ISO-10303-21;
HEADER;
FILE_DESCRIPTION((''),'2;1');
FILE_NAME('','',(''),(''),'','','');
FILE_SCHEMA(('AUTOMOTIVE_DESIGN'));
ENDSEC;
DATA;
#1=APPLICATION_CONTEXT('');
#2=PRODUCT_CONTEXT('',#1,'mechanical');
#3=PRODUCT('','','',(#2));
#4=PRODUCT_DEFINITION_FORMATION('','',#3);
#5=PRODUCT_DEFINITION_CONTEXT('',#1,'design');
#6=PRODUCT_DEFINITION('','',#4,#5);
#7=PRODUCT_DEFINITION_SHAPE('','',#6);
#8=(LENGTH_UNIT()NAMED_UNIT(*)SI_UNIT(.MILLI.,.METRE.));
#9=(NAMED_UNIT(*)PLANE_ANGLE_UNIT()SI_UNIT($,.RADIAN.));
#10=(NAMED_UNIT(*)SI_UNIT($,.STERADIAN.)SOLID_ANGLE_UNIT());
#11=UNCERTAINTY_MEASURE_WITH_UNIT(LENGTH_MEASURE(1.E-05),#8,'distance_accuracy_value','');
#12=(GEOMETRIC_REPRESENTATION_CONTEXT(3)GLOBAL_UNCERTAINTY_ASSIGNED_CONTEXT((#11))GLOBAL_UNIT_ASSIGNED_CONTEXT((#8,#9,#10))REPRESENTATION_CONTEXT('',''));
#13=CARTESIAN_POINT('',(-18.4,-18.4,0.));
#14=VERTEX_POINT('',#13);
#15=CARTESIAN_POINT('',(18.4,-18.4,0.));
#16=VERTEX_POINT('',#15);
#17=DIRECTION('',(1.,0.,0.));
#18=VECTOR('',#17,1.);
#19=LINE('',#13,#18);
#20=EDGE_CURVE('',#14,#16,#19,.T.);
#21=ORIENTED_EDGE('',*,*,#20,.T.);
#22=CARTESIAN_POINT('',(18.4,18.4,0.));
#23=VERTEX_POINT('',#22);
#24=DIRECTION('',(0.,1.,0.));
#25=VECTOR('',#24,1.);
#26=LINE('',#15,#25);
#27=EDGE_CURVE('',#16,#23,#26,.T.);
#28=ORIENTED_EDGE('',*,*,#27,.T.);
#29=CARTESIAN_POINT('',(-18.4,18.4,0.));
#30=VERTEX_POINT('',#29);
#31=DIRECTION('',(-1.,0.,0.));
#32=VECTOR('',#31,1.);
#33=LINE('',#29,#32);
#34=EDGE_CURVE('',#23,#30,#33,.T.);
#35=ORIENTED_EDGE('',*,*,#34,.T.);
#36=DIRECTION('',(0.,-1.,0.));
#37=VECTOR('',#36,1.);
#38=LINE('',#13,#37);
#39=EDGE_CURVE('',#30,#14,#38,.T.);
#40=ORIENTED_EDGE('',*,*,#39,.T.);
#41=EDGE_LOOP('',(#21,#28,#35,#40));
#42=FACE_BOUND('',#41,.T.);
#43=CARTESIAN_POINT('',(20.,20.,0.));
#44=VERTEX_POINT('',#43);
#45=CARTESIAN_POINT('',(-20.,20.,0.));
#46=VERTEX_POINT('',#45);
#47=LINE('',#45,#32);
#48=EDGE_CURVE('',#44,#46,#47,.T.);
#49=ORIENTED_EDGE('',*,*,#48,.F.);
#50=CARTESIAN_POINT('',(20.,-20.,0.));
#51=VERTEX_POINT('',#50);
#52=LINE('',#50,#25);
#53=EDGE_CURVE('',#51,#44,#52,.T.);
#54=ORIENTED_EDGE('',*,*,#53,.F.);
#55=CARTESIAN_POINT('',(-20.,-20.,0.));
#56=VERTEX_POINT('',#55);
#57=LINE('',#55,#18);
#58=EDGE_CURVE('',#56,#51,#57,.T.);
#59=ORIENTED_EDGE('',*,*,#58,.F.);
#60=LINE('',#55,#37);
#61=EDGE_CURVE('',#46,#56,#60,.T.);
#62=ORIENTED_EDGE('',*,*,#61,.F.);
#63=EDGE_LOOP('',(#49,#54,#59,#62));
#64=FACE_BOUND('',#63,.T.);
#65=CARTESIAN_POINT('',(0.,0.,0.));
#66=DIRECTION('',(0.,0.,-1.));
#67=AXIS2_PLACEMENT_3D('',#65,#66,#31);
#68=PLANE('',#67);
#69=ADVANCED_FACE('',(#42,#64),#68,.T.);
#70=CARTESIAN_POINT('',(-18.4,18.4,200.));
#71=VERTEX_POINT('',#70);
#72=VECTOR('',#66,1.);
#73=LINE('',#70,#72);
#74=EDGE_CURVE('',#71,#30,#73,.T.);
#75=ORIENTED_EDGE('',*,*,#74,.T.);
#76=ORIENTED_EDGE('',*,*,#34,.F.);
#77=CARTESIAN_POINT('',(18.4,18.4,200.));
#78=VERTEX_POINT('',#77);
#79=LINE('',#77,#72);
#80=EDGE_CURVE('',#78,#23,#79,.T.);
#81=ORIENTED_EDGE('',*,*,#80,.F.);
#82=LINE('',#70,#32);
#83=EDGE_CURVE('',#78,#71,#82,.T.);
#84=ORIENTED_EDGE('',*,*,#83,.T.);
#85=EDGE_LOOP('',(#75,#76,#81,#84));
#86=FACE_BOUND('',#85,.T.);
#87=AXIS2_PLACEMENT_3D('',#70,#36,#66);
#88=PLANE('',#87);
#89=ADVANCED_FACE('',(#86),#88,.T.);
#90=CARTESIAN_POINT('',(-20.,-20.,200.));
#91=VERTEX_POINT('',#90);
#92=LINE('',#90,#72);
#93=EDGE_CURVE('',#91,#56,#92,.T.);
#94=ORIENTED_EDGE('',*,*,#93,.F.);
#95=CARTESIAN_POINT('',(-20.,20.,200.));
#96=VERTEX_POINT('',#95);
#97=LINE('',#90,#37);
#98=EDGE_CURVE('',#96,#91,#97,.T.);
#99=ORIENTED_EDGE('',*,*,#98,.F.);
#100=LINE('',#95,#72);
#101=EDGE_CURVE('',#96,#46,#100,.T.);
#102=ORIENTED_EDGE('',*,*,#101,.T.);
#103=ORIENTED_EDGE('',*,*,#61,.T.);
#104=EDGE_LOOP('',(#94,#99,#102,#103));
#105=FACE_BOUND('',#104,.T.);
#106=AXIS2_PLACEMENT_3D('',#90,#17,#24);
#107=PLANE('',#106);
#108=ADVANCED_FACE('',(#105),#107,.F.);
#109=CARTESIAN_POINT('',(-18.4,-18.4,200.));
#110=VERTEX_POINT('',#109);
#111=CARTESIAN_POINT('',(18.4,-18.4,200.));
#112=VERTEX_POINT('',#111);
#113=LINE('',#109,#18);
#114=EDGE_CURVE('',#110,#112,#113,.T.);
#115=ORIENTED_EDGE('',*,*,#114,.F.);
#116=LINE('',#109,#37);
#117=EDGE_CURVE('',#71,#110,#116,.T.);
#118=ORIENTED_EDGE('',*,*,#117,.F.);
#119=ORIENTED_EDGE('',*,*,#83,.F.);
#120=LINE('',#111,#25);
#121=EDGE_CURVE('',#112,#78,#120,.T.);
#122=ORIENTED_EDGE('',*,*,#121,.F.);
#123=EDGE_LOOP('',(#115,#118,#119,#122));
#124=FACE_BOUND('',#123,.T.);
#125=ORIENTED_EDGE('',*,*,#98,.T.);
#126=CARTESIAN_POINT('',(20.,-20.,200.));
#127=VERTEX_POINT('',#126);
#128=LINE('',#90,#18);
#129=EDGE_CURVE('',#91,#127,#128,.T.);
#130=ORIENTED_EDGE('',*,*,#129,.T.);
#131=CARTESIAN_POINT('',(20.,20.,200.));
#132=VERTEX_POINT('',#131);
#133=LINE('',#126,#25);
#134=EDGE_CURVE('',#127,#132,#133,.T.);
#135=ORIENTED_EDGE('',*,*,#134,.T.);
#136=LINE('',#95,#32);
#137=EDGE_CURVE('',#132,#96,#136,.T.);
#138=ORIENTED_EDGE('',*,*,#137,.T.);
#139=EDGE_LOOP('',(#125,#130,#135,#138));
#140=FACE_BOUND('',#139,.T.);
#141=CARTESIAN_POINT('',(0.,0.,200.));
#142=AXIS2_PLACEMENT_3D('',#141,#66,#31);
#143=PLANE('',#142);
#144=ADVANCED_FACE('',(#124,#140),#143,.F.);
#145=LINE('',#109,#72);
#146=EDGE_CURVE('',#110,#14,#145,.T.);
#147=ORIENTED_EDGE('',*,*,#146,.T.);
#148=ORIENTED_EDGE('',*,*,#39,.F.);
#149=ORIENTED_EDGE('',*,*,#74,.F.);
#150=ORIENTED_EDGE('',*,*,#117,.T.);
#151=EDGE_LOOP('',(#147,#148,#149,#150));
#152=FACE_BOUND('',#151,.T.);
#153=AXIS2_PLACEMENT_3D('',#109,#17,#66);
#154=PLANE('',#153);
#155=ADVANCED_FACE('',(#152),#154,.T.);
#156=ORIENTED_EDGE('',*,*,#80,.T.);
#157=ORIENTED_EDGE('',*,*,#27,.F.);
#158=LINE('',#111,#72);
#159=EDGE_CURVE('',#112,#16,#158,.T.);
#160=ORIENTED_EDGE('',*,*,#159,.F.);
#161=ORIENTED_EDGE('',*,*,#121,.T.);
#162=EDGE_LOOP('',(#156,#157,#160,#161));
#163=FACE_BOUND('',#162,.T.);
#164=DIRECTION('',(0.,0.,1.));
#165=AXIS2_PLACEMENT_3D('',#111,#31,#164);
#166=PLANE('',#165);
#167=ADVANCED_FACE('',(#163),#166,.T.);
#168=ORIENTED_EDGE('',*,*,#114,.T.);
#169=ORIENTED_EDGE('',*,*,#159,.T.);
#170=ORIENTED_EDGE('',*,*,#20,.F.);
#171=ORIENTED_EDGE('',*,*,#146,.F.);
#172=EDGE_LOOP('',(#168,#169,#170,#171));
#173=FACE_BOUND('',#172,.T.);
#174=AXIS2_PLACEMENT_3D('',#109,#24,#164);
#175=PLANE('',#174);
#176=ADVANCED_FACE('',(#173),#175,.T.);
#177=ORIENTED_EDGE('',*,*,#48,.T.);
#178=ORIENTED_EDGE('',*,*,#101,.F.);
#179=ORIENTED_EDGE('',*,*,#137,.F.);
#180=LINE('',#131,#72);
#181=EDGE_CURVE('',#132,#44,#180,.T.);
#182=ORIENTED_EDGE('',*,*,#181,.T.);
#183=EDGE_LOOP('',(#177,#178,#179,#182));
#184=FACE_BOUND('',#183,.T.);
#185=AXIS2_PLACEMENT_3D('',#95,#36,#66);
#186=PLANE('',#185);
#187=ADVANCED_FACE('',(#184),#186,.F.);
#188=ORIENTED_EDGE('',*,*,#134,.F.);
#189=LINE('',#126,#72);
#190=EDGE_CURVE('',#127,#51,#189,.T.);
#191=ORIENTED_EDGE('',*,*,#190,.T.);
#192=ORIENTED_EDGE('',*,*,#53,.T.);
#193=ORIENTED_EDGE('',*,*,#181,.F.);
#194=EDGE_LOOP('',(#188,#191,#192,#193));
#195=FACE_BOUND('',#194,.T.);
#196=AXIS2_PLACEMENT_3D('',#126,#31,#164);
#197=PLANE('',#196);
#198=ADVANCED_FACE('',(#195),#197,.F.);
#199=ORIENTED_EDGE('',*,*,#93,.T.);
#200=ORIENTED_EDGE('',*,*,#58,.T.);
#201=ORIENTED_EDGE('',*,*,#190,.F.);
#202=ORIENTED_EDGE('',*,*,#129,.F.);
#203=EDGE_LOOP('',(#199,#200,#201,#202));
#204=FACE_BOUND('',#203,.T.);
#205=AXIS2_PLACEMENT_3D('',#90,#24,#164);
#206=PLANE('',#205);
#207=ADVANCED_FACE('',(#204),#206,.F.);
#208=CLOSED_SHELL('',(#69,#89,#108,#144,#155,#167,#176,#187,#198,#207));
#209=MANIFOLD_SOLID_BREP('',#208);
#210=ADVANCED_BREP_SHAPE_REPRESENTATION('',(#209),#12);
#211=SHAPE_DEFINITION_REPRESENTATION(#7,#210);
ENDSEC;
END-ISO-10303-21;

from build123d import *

# Parameters (mm, degrees)
ESBO_O1_W                = 40
ESBO_O1_H                = 40
ESBO_O1_W_2              = 36.8
ESBO_O1_H_2              = 36.8
RESSALTO_EXTRUS_O1_DEPTH = 200


with BuildPart() as part:
    # Esboço1 → Ressalto-extrusão1 (new body)
    with BuildSketch(Plane.XY):
        Rectangle(ESBO_O1_W, ESBO_O1_H)
        Rectangle(ESBO_O1_W_2, ESBO_O1_H_2, mode=Mode.SUBTRACT)
    extrude(amount=RESSALTO_EXTRUS_O1_DEPTH)


solid = part.part
